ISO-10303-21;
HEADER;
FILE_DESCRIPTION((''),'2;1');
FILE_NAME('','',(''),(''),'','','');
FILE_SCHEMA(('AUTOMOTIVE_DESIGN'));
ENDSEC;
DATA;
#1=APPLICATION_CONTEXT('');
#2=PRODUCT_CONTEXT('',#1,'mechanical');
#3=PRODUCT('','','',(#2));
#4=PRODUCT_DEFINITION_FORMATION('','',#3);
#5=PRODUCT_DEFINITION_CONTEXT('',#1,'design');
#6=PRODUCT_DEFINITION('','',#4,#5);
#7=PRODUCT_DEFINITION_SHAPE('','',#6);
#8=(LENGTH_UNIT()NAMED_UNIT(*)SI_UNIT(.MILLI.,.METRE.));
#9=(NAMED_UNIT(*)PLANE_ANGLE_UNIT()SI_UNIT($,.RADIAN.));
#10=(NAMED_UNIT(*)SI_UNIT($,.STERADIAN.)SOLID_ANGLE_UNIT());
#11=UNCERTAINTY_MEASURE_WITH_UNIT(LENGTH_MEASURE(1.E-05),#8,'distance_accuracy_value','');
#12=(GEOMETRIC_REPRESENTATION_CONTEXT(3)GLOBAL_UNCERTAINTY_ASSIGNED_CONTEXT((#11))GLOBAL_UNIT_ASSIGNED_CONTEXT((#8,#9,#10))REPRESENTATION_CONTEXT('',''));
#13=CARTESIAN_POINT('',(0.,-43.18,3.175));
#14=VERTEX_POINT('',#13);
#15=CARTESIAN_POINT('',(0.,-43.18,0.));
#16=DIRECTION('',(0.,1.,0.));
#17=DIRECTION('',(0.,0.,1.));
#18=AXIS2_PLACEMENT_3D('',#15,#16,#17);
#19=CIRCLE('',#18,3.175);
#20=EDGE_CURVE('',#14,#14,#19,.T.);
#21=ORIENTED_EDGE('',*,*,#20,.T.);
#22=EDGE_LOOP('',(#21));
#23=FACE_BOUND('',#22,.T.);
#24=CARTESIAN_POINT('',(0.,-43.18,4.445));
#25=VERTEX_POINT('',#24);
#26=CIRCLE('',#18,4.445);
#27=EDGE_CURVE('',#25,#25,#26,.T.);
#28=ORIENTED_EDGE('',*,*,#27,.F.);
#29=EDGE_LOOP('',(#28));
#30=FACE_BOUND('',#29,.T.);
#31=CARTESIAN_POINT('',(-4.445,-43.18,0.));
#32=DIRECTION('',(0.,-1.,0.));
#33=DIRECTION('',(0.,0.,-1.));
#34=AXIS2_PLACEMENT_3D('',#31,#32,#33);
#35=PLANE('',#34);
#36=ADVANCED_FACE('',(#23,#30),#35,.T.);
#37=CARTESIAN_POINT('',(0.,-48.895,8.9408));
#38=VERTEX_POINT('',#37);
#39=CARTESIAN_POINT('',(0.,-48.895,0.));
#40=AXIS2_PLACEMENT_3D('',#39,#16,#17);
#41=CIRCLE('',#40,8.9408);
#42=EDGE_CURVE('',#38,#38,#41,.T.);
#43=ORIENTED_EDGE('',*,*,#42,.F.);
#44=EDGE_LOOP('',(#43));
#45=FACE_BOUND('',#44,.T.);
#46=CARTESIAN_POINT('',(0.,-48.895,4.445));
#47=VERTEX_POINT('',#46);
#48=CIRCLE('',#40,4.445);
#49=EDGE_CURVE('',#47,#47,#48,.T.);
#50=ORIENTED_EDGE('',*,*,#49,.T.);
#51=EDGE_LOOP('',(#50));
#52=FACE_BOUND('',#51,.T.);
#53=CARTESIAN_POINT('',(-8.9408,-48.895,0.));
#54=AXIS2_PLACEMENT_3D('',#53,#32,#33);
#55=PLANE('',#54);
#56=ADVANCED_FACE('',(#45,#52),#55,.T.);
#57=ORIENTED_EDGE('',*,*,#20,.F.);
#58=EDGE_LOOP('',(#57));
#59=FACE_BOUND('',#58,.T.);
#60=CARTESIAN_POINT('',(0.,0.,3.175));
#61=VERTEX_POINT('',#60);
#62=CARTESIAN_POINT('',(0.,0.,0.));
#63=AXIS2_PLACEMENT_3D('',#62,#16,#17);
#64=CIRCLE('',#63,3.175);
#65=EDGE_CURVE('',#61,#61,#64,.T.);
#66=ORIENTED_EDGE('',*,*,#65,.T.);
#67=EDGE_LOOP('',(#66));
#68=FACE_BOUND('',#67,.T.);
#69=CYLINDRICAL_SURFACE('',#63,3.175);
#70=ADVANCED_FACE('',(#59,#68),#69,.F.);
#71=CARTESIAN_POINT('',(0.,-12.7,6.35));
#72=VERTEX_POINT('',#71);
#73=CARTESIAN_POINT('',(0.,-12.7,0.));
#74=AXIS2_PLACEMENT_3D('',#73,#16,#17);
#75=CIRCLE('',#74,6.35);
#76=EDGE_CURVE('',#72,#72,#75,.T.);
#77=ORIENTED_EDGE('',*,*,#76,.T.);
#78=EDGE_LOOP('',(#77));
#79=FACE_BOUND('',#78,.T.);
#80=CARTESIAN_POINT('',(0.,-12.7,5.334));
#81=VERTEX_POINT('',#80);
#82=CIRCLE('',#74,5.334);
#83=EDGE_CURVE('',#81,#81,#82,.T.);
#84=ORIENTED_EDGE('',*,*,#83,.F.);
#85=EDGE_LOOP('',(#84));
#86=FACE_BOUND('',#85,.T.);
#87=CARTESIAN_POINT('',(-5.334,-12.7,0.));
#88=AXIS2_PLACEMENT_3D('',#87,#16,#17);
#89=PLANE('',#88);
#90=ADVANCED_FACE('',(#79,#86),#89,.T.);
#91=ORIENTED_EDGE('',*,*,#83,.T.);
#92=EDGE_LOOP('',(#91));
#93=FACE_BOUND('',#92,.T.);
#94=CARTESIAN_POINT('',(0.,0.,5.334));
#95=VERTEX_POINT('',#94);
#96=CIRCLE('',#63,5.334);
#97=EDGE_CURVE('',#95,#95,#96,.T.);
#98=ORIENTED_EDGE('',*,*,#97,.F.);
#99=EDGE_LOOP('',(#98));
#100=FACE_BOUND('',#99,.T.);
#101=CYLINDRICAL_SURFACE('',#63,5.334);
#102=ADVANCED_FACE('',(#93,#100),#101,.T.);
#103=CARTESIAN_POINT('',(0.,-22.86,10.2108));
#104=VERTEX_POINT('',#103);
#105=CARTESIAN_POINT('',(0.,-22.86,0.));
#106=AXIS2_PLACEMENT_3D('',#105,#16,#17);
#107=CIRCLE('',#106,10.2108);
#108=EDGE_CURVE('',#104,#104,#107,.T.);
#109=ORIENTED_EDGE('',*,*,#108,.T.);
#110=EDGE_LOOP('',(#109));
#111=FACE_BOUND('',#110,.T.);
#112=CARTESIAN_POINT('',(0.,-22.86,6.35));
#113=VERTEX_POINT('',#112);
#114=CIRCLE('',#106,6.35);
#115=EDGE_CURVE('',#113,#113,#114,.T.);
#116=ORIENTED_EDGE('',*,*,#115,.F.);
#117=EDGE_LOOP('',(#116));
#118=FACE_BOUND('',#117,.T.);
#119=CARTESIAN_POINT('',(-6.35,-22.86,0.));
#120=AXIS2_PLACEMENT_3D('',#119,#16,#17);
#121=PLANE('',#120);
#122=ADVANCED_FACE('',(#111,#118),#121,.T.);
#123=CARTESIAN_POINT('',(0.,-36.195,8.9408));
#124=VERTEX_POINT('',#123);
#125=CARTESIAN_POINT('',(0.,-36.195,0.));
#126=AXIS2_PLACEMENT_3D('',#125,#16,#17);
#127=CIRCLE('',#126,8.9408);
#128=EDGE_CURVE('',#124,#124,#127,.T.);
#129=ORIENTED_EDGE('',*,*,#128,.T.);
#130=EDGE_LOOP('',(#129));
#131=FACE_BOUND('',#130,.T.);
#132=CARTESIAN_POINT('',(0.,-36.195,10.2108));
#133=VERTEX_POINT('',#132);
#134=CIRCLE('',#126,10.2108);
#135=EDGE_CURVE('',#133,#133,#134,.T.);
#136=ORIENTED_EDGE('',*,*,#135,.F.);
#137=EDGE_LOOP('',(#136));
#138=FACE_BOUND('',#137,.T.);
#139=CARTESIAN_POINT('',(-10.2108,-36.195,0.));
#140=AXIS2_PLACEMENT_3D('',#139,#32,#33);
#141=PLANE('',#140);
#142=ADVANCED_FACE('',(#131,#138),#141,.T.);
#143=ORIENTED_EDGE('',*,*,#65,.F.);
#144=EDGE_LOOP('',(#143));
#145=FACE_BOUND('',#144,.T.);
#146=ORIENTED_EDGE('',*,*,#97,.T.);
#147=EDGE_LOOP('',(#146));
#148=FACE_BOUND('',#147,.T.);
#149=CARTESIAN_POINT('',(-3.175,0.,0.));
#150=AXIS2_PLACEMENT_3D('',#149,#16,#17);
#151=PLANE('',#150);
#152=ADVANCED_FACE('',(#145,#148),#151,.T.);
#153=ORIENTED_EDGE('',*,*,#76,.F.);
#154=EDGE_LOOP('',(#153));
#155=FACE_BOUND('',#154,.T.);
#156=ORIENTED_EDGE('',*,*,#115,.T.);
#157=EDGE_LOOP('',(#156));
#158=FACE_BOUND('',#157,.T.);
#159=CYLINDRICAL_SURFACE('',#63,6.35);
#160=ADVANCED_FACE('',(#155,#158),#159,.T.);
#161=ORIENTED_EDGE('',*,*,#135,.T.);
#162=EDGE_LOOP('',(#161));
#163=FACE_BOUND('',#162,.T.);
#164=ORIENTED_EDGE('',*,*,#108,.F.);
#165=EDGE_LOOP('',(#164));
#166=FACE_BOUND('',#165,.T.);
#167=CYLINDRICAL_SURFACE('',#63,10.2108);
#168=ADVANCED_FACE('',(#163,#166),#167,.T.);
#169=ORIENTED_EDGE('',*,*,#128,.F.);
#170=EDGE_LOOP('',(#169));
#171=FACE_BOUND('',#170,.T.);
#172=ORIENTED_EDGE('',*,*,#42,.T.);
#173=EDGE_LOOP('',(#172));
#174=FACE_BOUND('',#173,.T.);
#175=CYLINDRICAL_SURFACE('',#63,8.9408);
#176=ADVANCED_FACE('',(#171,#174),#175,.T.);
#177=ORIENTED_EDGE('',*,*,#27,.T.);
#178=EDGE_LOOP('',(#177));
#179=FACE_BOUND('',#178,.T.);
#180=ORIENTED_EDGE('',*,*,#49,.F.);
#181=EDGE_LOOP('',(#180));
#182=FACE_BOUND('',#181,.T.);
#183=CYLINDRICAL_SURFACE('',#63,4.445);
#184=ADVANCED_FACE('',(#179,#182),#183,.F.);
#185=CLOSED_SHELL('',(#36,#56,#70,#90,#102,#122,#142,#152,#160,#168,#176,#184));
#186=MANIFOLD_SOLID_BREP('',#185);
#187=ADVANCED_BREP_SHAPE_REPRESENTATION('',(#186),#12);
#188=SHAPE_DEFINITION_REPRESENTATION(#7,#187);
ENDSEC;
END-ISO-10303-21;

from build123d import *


with BuildPart() as part:
    # Sketch1 → Revolve1 (revolve)
    with BuildSketch(Plane.XY):
        Polygon((-3.175, 0), (-5.334, 0), (-5.334, -12.7), (-6.35, -12.7), (-6.35, -22.86), (-10.2108, -22.86), (-10.2108, -36.195), (-8.9408, -36.195), (-8.9408, -48.895), (-4.445, -48.895), (-4.445, -43.18), (-3.175, -43.18), align=None)
    revolve(axis=Axis((0, 0, 0), (0, -1, 0)))


solid = part.part
